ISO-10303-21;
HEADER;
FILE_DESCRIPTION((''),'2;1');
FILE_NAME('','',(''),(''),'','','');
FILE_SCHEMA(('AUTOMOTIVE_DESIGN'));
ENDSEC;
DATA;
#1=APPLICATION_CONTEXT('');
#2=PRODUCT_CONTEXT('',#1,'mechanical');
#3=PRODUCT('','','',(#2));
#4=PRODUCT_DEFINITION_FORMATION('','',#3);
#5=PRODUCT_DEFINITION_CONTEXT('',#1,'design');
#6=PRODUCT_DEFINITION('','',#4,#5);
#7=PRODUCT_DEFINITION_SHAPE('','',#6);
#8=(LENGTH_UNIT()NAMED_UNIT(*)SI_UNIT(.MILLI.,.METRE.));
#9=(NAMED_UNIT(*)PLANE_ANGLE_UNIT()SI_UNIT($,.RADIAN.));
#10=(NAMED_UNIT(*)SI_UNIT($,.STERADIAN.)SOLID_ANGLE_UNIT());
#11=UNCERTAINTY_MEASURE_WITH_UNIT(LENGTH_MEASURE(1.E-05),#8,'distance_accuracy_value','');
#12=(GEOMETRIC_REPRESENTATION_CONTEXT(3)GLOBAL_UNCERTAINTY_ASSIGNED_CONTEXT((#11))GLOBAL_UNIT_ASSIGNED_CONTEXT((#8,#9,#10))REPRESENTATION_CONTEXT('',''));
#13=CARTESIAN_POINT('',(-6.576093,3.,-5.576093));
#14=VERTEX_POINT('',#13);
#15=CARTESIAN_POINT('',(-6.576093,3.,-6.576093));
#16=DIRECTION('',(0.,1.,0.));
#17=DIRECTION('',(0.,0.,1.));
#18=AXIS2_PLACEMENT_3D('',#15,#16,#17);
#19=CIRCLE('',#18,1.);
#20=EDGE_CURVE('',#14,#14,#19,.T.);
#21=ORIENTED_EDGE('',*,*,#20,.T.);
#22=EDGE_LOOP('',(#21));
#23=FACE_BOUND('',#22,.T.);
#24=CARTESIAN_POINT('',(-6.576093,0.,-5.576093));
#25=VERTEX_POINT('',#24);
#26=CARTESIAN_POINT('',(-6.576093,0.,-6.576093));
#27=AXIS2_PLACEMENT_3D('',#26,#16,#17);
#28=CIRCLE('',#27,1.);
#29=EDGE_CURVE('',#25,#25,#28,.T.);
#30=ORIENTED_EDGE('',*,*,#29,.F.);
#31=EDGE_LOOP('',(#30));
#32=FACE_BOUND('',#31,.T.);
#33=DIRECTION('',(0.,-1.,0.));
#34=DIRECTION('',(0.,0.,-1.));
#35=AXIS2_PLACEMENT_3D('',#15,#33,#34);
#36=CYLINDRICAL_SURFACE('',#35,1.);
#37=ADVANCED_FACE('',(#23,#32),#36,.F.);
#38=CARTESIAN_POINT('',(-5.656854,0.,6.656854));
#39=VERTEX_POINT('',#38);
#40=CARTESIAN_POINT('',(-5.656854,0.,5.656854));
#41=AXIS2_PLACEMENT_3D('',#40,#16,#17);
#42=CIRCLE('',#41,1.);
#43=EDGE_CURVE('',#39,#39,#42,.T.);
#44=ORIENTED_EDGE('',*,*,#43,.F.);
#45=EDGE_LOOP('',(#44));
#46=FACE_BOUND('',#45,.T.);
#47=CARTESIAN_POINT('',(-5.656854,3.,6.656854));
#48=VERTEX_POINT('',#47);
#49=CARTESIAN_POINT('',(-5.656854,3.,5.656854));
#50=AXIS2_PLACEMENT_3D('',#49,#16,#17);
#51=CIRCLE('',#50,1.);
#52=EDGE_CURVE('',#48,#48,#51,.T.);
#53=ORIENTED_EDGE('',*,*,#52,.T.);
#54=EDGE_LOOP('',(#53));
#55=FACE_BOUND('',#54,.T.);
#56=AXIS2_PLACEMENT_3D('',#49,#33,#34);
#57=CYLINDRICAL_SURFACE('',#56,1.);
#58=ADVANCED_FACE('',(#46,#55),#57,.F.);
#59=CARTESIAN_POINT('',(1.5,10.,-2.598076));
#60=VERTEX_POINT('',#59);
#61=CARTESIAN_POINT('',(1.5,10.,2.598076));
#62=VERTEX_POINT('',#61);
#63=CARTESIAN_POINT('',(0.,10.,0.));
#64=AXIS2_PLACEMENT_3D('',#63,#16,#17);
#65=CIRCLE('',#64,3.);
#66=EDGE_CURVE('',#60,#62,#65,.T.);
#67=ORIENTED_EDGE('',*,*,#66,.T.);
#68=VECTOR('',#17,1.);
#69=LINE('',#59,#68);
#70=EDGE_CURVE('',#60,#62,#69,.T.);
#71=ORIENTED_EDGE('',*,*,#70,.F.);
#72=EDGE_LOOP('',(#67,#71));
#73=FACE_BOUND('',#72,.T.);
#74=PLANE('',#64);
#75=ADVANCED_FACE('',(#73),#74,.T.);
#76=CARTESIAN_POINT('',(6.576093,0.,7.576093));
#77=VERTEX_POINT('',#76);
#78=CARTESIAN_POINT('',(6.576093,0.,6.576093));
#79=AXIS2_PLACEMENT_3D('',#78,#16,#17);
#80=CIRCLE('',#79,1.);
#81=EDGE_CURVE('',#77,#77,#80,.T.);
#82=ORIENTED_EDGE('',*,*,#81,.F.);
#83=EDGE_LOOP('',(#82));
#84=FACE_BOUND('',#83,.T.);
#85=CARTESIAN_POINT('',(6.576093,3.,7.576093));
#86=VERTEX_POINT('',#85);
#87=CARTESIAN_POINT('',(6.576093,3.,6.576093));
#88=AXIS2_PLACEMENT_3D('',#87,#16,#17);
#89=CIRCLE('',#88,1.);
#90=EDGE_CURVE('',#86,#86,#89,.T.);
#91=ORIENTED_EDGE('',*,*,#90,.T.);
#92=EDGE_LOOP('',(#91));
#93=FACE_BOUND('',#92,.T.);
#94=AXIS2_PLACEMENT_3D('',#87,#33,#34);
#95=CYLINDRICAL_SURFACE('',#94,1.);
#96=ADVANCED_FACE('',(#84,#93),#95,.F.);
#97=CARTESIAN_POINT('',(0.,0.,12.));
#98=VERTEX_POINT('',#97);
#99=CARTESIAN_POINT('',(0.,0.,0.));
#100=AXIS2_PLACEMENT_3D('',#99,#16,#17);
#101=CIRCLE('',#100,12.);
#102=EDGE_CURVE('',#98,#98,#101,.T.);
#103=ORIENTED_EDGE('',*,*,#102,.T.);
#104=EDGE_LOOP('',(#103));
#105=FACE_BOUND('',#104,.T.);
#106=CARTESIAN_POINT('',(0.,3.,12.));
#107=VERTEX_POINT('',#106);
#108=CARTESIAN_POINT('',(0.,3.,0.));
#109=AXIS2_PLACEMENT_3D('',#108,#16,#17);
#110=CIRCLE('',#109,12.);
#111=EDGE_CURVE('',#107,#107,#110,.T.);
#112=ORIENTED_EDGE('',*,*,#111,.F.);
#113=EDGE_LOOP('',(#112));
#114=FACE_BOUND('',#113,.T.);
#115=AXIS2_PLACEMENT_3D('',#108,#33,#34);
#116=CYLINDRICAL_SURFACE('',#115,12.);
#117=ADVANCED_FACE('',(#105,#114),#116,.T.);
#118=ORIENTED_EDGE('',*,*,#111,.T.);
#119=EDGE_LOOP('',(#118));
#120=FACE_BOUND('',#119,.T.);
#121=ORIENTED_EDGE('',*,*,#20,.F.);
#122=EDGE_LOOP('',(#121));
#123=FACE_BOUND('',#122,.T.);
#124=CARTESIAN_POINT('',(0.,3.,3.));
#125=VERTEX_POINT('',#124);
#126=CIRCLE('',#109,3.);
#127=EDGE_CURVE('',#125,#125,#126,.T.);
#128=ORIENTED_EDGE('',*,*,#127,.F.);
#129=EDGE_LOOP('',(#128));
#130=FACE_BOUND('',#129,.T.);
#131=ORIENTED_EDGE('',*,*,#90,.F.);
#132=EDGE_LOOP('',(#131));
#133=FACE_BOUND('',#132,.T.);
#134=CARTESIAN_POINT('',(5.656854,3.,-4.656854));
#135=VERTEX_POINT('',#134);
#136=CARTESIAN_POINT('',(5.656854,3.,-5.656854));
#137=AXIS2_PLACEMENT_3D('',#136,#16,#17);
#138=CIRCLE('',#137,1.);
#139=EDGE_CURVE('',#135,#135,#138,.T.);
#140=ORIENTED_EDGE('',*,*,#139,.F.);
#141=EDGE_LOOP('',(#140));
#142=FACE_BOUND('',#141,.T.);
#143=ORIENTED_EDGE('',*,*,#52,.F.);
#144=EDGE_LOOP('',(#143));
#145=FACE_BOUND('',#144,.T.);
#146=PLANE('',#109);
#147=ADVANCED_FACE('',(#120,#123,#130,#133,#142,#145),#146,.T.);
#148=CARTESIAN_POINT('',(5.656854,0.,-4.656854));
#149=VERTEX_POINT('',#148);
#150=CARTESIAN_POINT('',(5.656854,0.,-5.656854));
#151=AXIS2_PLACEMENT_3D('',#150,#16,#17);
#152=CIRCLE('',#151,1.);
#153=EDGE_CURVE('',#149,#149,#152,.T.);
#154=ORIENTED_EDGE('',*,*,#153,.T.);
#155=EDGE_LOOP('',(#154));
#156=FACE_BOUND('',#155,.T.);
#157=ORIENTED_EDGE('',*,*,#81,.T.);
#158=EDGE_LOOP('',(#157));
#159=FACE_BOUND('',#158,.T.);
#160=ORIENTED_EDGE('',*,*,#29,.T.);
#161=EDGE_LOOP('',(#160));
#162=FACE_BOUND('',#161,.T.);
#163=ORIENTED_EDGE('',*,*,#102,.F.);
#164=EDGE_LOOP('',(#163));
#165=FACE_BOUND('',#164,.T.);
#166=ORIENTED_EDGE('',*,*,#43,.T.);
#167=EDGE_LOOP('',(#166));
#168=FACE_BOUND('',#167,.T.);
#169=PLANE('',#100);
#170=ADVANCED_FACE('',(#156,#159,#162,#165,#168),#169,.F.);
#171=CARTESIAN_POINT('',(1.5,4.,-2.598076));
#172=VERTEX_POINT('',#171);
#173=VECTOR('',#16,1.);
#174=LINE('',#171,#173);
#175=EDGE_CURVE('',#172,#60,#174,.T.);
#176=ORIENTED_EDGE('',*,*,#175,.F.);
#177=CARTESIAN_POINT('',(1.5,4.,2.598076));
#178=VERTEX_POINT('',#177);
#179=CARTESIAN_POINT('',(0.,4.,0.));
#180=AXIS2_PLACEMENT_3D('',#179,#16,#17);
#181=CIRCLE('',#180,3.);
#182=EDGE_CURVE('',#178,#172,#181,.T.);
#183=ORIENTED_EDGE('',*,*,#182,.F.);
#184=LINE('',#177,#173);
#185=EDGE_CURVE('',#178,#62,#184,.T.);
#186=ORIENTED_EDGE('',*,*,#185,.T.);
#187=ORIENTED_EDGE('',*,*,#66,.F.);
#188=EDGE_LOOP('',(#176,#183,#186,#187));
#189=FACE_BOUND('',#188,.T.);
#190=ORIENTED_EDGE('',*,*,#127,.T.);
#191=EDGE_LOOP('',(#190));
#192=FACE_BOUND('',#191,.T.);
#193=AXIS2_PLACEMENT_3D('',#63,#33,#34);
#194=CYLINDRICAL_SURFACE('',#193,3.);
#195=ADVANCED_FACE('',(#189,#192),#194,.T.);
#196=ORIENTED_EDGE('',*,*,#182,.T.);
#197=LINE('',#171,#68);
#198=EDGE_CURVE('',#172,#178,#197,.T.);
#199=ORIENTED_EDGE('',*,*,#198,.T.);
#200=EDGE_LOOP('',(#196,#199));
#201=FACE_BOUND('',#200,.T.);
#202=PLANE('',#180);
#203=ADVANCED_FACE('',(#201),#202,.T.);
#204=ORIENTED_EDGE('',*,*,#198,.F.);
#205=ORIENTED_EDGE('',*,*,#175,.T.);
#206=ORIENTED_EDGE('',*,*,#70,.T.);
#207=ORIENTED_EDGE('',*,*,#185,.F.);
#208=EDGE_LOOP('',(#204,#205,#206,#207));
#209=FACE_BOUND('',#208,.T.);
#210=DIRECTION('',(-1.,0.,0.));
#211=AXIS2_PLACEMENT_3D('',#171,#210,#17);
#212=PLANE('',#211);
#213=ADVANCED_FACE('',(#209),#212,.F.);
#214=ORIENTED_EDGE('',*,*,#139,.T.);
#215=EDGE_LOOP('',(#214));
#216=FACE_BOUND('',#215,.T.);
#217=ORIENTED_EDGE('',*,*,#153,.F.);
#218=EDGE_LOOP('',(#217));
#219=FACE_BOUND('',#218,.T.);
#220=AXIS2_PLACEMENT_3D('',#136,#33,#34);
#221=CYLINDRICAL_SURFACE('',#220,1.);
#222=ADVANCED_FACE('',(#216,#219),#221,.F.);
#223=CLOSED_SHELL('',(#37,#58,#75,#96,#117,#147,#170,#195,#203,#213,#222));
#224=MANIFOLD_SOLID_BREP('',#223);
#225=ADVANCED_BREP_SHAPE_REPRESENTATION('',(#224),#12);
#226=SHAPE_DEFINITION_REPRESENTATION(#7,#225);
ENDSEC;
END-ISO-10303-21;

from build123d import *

# Parameters (mm, degrees)
CROQUIS1_R              = 12
CROQUIS1_R_2            = 1
SALIENTE_EXTRUIR1_DEPTH = 3
SALIENTE_EXTRUIR2_START = 3
CROQUIS1_3_R            = 3
SALIENTE_EXTRUIR2_DEPTH = 7
CORTAR_EXTRUIR1_START   = -6
CORTAR_EXTRUIR1_DEPTH   = 6


with BuildPart() as part:
    # Croquis1 → Saliente-Extruir1 (new body)
    with BuildSketch(Plane(origin=(0, 0, 0), x_dir=(1, 0, 0), z_dir=(0, 1, 0))):
        with Locations(Location((0, 0, 0), (0, 0, 270))):
            Circle(CROQUIS1_R)
        with Locations(Location((-6.576093065, 6.576093065, 0), (0, 0, 270))):
            Circle(CROQUIS1_R_2, mode=Mode.SUBTRACT)
        with Locations(Location((6.576093065, -6.576093065, 0), (0, 0, 270))):
            Circle(CROQUIS1_R_2, mode=Mode.SUBTRACT)
        with Locations(Location((5.656854249, 5.656854249, 0), (0, 0, 270))):
            Circle(CROQUIS1_R_2, mode=Mode.SUBTRACT)
        with Locations(Location((-5.656854249, -5.656854249, 0), (0, 0, 270))):
            Circle(CROQUIS1_R_2, mode=Mode.SUBTRACT)
    extrude(amount=SALIENTE_EXTRUIR1_DEPTH)

    # Croquis1<3> → Saliente-Extruir2 (add)
    with BuildSketch(Plane(origin=(0, 0, 0), x_dir=(1, 0, 0), z_dir=(0, 1, 0)).offset(SALIENTE_EXTRUIR2_START)):
        with Locations(Location((0, 0, 0), (0, 0, 270))):
            Circle(CROQUIS1_3_R)
    extrude(amount=SALIENTE_EXTRUIR2_DEPTH)

    # Croquis2 → Cortar-Extruir1 (cut)
    with BuildSketch(Plane(origin=(0, 10, 0), x_dir=(1, 0, 0), z_dir=(0, 1, 0)).offset(CORTAR_EXTRUIR1_START)):
        with BuildLine():
            Line((1.5, 2.598076211), (1.5, -2.598076211))
            ThreePointArc((1.5, -2.598076211), (3, 0), (1.5, 2.598076211))
        make_face()
    extrude(amount=CORTAR_EXTRUIR1_DEPTH, mode=Mode.SUBTRACT)


solid = part.part
